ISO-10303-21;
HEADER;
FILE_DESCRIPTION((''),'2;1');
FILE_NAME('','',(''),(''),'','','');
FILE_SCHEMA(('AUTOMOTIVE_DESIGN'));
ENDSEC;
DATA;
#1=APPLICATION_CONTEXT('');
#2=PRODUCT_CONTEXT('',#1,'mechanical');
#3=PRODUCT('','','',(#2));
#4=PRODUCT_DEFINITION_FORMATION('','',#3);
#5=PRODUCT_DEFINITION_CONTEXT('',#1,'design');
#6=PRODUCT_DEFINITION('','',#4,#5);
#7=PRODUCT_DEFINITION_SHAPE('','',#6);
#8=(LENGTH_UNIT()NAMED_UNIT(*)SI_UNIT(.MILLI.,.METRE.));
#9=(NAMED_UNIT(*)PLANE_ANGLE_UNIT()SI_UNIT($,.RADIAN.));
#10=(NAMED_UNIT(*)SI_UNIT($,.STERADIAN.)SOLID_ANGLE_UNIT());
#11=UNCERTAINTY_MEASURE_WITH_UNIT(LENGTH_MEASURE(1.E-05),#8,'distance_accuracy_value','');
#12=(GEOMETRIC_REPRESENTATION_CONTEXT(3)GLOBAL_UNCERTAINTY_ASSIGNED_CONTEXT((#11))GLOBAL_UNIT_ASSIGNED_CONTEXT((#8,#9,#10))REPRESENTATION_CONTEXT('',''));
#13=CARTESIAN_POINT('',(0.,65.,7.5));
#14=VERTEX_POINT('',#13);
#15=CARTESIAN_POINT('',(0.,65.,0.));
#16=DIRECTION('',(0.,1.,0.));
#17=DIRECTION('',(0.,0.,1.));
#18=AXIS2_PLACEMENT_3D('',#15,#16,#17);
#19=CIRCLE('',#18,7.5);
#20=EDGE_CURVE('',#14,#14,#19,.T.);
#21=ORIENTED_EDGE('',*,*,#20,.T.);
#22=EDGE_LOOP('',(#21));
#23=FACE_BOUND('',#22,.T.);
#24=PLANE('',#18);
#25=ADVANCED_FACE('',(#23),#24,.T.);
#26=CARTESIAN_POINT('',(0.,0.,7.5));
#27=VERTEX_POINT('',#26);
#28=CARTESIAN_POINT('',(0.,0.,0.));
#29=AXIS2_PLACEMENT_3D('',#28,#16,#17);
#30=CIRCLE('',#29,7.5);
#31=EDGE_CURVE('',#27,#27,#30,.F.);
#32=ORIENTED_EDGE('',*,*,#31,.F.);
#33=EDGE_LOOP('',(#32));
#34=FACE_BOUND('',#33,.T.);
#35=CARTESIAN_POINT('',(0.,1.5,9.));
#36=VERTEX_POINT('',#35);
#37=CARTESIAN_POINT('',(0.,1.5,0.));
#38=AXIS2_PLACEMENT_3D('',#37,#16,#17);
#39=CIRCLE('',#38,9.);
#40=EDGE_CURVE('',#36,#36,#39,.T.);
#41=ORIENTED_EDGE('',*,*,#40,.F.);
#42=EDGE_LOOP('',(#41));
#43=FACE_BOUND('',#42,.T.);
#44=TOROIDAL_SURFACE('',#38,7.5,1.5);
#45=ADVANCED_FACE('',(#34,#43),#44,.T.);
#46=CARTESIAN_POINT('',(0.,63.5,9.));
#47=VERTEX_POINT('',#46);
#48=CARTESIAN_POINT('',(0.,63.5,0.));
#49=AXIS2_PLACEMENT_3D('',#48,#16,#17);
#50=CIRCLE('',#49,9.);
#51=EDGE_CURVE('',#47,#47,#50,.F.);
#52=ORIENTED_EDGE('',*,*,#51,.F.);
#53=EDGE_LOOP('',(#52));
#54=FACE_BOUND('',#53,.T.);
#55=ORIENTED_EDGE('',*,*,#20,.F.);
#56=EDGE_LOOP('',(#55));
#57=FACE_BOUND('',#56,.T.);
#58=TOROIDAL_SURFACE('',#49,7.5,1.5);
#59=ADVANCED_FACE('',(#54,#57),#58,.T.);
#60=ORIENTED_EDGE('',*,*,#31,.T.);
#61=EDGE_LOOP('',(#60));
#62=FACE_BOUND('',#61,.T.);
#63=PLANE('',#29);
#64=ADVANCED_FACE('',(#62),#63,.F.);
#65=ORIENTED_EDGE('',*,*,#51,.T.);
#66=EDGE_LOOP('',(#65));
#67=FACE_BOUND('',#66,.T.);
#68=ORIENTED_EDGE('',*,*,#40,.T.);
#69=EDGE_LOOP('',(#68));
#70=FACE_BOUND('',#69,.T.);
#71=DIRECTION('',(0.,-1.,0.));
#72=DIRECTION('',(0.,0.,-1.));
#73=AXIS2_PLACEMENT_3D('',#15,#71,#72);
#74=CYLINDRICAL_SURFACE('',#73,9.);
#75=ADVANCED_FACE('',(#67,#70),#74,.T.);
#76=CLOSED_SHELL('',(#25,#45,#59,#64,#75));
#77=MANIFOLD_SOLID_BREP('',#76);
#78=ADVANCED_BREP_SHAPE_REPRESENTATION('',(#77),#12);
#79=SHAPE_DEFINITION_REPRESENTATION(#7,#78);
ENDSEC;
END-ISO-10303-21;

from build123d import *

# Parameters (mm, degrees)
SKETCH2_R           = 9
BOSS_EXTRUDE1_DEPTH = 65
FILLET1_R           = 1.5


with BuildPart() as part:
    # Sketch2 → Boss-Extrude1 (new body)
    with BuildSketch(Plane(origin=(0, 0, 0), x_dir=(1, 0, 0), z_dir=(0, 1, 0))):
        Circle(SKETCH2_R)
    extrude(amount=BOSS_EXTRUDE1_DEPTH)

    # Fillet1
    fillet1_edges = [part.edges().sort_by_distance(p)[0] for p in [
        (-9, 0, 0),
        (-9, 65, 0),
    ]]
    fillet(fillet1_edges, radius=FILLET1_R)


solid = part.part
